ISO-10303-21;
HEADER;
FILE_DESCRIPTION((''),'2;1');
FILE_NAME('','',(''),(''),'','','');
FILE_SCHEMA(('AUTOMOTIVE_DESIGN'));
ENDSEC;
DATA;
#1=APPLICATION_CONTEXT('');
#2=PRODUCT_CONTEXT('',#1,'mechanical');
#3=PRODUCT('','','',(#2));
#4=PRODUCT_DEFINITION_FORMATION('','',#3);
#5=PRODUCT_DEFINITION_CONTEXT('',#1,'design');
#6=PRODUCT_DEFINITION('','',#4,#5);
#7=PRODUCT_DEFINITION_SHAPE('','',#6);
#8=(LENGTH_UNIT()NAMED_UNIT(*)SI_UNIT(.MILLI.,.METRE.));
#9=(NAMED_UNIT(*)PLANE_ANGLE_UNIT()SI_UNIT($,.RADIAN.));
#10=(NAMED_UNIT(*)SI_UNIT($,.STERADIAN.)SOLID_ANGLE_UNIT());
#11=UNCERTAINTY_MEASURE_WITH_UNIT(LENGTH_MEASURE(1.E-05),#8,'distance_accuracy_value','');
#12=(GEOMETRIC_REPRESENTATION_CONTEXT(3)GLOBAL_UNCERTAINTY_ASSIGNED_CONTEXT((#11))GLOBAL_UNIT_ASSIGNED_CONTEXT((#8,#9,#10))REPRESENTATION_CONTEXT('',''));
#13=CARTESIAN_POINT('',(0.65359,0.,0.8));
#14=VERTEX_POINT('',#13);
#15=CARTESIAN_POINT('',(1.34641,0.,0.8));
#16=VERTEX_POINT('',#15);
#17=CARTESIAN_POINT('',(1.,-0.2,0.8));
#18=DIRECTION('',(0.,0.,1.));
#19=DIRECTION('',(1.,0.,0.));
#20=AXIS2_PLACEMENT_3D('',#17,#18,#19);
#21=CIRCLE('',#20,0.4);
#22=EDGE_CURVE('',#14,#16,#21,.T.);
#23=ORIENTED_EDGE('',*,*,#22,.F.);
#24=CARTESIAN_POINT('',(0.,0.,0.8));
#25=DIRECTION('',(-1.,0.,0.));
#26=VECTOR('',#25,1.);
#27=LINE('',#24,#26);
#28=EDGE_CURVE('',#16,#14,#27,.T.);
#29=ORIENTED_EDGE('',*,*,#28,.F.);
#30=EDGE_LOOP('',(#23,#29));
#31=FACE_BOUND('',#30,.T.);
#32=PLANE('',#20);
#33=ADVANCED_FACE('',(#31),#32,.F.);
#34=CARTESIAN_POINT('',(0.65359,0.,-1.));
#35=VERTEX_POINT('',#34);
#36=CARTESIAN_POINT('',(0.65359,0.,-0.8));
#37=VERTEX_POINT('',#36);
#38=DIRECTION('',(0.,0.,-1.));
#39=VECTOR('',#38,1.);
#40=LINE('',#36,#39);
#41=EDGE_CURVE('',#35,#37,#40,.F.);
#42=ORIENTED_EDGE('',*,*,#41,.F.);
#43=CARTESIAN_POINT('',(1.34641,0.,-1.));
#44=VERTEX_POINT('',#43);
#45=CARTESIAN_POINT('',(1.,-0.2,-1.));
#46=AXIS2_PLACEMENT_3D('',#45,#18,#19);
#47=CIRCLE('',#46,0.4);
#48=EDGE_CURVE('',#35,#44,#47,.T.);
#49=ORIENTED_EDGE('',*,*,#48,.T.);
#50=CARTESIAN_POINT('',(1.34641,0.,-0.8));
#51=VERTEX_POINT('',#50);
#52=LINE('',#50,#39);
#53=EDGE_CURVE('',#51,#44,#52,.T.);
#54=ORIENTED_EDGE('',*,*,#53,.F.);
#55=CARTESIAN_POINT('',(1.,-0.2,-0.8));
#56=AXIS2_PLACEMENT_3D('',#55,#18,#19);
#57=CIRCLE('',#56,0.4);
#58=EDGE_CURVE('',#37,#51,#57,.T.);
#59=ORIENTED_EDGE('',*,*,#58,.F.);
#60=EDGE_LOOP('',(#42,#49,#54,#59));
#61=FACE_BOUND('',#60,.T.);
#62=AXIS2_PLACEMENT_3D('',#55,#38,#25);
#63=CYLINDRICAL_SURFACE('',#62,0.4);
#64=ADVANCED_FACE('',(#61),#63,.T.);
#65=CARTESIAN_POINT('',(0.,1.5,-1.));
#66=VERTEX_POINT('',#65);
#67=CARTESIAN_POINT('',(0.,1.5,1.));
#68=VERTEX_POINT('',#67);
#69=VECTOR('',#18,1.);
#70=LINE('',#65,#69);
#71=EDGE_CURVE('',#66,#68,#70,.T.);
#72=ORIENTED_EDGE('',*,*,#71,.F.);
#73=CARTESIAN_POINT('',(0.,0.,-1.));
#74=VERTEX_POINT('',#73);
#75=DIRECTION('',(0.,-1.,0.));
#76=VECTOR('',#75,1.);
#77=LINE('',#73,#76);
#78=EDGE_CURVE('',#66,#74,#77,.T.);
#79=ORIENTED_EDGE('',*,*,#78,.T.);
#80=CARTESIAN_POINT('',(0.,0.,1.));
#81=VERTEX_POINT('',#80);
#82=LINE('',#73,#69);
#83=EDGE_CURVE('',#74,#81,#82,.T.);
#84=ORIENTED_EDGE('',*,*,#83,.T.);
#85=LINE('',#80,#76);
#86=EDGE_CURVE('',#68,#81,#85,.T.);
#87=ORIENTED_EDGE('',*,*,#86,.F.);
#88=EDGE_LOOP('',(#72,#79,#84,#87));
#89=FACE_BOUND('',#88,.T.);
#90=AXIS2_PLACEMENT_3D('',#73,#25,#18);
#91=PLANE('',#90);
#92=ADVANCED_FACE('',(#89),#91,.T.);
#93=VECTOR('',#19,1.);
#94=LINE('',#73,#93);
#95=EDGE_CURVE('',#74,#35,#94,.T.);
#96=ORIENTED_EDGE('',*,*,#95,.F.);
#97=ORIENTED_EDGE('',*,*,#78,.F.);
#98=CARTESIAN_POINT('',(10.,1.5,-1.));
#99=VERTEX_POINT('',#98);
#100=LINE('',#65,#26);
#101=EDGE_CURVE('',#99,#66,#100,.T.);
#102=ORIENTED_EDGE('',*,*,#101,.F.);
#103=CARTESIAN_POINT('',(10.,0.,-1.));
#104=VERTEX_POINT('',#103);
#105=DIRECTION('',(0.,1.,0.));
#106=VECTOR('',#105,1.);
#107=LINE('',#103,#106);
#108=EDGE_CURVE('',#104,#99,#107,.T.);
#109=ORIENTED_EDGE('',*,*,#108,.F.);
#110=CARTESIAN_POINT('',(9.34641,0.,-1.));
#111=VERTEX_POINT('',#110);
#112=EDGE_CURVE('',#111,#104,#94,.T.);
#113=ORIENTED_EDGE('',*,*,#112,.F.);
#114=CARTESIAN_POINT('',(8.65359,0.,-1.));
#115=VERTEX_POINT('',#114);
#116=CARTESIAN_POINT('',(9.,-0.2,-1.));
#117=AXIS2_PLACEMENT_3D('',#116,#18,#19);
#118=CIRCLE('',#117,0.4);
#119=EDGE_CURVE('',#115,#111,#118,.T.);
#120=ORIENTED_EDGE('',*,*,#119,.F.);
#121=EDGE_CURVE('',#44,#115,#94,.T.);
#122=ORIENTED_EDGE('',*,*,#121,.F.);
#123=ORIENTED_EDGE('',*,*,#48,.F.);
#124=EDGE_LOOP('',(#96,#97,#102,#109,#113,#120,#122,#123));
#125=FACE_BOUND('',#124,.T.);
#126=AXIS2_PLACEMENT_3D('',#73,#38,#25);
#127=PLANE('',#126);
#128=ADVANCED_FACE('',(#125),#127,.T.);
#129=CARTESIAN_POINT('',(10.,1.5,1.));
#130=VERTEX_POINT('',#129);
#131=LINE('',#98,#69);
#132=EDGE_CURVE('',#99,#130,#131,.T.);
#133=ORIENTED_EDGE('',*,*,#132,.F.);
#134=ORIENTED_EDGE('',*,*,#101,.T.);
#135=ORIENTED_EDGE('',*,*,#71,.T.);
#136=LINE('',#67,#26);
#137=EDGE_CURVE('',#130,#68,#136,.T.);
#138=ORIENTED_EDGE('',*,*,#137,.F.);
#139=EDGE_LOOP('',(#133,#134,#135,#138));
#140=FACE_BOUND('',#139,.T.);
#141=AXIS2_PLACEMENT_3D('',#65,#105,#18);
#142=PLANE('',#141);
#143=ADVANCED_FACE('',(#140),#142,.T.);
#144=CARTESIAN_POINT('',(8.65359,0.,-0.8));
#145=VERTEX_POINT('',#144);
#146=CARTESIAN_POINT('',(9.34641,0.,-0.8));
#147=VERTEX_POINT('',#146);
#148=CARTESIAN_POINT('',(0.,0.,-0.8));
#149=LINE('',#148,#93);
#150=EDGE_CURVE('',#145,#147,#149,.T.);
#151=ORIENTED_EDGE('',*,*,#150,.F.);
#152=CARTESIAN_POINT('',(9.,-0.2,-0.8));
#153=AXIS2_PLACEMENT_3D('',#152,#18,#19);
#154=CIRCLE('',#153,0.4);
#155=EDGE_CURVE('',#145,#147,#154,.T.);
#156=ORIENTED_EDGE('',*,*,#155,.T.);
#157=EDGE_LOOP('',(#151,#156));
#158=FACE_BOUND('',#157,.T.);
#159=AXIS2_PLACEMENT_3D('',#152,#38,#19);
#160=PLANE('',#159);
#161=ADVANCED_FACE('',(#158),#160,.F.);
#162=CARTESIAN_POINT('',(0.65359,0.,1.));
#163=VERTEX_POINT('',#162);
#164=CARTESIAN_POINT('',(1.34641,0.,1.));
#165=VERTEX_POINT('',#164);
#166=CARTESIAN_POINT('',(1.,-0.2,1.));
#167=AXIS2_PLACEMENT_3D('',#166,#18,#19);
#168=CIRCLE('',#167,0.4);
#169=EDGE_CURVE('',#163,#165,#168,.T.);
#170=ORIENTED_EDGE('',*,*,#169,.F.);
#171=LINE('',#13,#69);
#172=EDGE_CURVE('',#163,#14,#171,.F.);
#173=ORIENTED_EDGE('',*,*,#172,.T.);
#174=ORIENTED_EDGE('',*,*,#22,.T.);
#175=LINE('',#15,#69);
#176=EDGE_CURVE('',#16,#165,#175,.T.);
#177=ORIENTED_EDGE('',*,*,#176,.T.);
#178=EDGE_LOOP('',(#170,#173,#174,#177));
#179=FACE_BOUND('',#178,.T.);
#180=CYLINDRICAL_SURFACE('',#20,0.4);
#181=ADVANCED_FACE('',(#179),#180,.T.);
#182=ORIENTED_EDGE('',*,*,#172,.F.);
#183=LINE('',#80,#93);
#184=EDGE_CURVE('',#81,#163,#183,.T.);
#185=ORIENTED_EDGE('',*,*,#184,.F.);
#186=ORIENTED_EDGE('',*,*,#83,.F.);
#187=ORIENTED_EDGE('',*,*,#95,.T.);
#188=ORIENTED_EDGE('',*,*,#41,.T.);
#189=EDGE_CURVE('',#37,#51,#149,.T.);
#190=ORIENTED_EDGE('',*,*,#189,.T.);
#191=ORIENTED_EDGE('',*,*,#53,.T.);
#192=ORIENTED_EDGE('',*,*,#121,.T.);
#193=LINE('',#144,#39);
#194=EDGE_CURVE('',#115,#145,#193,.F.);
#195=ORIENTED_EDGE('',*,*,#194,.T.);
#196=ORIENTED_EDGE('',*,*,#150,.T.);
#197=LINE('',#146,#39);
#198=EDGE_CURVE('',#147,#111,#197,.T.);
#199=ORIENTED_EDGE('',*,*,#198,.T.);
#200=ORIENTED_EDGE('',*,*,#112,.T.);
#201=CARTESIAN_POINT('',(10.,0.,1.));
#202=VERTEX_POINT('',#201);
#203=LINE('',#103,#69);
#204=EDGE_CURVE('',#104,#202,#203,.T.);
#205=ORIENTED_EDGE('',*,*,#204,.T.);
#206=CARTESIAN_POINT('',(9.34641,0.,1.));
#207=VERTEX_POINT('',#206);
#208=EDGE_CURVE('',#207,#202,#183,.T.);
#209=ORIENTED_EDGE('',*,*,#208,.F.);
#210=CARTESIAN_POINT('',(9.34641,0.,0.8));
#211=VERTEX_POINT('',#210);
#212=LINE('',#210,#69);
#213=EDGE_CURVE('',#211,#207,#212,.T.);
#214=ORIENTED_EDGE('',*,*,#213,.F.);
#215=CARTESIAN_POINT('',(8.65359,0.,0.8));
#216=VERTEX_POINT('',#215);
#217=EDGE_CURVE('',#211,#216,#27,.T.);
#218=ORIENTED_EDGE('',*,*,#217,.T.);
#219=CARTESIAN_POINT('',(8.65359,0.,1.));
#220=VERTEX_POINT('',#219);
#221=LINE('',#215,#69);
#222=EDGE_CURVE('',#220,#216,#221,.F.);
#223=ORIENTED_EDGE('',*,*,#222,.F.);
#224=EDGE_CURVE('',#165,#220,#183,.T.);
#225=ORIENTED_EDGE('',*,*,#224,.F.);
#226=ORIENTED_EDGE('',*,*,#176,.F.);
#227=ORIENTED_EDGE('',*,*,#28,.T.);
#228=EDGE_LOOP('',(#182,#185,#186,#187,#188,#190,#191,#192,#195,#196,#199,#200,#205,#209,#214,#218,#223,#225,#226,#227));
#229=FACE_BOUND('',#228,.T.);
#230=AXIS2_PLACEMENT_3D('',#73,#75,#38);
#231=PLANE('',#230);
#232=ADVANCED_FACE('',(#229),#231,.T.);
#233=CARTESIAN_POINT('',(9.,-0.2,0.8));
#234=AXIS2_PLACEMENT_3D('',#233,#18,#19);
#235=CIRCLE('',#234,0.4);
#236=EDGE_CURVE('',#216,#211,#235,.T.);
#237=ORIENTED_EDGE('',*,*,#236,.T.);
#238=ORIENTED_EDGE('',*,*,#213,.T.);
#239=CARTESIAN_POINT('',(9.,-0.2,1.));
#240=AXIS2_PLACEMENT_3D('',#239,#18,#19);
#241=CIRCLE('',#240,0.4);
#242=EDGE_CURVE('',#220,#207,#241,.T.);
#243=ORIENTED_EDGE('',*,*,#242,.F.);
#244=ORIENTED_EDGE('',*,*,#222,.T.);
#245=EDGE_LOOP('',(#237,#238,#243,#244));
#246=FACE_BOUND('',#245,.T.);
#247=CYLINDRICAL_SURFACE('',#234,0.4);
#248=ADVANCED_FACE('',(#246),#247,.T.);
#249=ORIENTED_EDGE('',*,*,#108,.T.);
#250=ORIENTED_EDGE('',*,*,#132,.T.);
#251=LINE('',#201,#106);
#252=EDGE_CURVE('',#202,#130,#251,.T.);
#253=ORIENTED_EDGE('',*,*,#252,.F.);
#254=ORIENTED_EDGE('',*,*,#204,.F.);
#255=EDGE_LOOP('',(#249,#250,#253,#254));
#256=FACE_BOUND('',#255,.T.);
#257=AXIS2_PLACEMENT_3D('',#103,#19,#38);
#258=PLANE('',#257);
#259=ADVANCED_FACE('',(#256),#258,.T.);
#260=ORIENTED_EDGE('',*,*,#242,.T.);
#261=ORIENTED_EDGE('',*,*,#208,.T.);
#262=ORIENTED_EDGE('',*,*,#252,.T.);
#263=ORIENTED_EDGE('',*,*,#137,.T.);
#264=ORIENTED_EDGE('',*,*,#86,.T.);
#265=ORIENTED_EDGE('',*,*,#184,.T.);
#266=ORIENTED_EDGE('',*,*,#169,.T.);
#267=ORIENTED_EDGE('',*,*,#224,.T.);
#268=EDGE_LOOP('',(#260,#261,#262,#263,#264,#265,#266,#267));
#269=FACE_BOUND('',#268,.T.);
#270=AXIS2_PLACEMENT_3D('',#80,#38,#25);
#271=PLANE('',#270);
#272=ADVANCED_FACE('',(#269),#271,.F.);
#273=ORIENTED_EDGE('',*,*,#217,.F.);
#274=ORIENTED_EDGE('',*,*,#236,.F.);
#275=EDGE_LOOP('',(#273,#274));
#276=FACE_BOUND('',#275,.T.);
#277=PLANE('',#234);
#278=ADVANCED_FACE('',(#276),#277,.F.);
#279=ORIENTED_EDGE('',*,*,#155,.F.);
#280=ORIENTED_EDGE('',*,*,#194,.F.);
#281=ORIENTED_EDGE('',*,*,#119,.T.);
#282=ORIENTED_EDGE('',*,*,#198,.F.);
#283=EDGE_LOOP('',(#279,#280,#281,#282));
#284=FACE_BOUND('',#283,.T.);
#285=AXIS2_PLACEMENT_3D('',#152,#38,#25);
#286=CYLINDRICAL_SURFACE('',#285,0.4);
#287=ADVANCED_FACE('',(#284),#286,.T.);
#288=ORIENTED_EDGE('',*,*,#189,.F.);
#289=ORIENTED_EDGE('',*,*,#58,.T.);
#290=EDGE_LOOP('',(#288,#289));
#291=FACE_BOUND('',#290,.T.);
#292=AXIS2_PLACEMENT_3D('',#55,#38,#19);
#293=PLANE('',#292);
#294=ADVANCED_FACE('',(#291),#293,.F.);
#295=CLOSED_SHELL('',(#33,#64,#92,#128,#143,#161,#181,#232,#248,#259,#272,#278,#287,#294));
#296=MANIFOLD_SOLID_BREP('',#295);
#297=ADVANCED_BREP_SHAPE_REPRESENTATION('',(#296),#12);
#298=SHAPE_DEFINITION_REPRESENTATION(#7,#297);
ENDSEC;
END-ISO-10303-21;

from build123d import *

# Parameters (mm, degrees)
EXTRUDE_1_DEPTH      = 1
EXTRUDE_1_DEPTH_BACK = 1
SKETCH_1_W           = 10
SKETCH_1_H           = 1.5
SKETCH_2_R           = 0.4
EXTRUDE_2_DEPTH      = 0.2


with BuildPart() as part:
    # 草图1 → 凸台-拉伸1 (new, two sides: drawn at the far end of the back side and taken through both)
    with BuildSketch(Plane.XY.offset(-EXTRUDE_1_DEPTH_BACK)):
        with Locations((5, 0.75)):
            Rectangle(SKETCH_1_W, SKETCH_1_H)
    extrude(amount=EXTRUDE_1_DEPTH + EXTRUDE_1_DEPTH_BACK)

    # 草图2 → 凸台-拉伸2 (add)
    with BuildSketch(Plane.XY.offset(1)):
        with Locations((9, -0.2)):
            Circle(SKETCH_2_R)
        with Locations((1, -0.2)):
            Circle(SKETCH_2_R)
    extrude_2 = extrude(amount=-EXTRUDE_2_DEPTH)

    # 镜向1: 凸台-拉伸2 across plane
    add(extrude_2.mirror(Plane.XY))


solid = part.part
